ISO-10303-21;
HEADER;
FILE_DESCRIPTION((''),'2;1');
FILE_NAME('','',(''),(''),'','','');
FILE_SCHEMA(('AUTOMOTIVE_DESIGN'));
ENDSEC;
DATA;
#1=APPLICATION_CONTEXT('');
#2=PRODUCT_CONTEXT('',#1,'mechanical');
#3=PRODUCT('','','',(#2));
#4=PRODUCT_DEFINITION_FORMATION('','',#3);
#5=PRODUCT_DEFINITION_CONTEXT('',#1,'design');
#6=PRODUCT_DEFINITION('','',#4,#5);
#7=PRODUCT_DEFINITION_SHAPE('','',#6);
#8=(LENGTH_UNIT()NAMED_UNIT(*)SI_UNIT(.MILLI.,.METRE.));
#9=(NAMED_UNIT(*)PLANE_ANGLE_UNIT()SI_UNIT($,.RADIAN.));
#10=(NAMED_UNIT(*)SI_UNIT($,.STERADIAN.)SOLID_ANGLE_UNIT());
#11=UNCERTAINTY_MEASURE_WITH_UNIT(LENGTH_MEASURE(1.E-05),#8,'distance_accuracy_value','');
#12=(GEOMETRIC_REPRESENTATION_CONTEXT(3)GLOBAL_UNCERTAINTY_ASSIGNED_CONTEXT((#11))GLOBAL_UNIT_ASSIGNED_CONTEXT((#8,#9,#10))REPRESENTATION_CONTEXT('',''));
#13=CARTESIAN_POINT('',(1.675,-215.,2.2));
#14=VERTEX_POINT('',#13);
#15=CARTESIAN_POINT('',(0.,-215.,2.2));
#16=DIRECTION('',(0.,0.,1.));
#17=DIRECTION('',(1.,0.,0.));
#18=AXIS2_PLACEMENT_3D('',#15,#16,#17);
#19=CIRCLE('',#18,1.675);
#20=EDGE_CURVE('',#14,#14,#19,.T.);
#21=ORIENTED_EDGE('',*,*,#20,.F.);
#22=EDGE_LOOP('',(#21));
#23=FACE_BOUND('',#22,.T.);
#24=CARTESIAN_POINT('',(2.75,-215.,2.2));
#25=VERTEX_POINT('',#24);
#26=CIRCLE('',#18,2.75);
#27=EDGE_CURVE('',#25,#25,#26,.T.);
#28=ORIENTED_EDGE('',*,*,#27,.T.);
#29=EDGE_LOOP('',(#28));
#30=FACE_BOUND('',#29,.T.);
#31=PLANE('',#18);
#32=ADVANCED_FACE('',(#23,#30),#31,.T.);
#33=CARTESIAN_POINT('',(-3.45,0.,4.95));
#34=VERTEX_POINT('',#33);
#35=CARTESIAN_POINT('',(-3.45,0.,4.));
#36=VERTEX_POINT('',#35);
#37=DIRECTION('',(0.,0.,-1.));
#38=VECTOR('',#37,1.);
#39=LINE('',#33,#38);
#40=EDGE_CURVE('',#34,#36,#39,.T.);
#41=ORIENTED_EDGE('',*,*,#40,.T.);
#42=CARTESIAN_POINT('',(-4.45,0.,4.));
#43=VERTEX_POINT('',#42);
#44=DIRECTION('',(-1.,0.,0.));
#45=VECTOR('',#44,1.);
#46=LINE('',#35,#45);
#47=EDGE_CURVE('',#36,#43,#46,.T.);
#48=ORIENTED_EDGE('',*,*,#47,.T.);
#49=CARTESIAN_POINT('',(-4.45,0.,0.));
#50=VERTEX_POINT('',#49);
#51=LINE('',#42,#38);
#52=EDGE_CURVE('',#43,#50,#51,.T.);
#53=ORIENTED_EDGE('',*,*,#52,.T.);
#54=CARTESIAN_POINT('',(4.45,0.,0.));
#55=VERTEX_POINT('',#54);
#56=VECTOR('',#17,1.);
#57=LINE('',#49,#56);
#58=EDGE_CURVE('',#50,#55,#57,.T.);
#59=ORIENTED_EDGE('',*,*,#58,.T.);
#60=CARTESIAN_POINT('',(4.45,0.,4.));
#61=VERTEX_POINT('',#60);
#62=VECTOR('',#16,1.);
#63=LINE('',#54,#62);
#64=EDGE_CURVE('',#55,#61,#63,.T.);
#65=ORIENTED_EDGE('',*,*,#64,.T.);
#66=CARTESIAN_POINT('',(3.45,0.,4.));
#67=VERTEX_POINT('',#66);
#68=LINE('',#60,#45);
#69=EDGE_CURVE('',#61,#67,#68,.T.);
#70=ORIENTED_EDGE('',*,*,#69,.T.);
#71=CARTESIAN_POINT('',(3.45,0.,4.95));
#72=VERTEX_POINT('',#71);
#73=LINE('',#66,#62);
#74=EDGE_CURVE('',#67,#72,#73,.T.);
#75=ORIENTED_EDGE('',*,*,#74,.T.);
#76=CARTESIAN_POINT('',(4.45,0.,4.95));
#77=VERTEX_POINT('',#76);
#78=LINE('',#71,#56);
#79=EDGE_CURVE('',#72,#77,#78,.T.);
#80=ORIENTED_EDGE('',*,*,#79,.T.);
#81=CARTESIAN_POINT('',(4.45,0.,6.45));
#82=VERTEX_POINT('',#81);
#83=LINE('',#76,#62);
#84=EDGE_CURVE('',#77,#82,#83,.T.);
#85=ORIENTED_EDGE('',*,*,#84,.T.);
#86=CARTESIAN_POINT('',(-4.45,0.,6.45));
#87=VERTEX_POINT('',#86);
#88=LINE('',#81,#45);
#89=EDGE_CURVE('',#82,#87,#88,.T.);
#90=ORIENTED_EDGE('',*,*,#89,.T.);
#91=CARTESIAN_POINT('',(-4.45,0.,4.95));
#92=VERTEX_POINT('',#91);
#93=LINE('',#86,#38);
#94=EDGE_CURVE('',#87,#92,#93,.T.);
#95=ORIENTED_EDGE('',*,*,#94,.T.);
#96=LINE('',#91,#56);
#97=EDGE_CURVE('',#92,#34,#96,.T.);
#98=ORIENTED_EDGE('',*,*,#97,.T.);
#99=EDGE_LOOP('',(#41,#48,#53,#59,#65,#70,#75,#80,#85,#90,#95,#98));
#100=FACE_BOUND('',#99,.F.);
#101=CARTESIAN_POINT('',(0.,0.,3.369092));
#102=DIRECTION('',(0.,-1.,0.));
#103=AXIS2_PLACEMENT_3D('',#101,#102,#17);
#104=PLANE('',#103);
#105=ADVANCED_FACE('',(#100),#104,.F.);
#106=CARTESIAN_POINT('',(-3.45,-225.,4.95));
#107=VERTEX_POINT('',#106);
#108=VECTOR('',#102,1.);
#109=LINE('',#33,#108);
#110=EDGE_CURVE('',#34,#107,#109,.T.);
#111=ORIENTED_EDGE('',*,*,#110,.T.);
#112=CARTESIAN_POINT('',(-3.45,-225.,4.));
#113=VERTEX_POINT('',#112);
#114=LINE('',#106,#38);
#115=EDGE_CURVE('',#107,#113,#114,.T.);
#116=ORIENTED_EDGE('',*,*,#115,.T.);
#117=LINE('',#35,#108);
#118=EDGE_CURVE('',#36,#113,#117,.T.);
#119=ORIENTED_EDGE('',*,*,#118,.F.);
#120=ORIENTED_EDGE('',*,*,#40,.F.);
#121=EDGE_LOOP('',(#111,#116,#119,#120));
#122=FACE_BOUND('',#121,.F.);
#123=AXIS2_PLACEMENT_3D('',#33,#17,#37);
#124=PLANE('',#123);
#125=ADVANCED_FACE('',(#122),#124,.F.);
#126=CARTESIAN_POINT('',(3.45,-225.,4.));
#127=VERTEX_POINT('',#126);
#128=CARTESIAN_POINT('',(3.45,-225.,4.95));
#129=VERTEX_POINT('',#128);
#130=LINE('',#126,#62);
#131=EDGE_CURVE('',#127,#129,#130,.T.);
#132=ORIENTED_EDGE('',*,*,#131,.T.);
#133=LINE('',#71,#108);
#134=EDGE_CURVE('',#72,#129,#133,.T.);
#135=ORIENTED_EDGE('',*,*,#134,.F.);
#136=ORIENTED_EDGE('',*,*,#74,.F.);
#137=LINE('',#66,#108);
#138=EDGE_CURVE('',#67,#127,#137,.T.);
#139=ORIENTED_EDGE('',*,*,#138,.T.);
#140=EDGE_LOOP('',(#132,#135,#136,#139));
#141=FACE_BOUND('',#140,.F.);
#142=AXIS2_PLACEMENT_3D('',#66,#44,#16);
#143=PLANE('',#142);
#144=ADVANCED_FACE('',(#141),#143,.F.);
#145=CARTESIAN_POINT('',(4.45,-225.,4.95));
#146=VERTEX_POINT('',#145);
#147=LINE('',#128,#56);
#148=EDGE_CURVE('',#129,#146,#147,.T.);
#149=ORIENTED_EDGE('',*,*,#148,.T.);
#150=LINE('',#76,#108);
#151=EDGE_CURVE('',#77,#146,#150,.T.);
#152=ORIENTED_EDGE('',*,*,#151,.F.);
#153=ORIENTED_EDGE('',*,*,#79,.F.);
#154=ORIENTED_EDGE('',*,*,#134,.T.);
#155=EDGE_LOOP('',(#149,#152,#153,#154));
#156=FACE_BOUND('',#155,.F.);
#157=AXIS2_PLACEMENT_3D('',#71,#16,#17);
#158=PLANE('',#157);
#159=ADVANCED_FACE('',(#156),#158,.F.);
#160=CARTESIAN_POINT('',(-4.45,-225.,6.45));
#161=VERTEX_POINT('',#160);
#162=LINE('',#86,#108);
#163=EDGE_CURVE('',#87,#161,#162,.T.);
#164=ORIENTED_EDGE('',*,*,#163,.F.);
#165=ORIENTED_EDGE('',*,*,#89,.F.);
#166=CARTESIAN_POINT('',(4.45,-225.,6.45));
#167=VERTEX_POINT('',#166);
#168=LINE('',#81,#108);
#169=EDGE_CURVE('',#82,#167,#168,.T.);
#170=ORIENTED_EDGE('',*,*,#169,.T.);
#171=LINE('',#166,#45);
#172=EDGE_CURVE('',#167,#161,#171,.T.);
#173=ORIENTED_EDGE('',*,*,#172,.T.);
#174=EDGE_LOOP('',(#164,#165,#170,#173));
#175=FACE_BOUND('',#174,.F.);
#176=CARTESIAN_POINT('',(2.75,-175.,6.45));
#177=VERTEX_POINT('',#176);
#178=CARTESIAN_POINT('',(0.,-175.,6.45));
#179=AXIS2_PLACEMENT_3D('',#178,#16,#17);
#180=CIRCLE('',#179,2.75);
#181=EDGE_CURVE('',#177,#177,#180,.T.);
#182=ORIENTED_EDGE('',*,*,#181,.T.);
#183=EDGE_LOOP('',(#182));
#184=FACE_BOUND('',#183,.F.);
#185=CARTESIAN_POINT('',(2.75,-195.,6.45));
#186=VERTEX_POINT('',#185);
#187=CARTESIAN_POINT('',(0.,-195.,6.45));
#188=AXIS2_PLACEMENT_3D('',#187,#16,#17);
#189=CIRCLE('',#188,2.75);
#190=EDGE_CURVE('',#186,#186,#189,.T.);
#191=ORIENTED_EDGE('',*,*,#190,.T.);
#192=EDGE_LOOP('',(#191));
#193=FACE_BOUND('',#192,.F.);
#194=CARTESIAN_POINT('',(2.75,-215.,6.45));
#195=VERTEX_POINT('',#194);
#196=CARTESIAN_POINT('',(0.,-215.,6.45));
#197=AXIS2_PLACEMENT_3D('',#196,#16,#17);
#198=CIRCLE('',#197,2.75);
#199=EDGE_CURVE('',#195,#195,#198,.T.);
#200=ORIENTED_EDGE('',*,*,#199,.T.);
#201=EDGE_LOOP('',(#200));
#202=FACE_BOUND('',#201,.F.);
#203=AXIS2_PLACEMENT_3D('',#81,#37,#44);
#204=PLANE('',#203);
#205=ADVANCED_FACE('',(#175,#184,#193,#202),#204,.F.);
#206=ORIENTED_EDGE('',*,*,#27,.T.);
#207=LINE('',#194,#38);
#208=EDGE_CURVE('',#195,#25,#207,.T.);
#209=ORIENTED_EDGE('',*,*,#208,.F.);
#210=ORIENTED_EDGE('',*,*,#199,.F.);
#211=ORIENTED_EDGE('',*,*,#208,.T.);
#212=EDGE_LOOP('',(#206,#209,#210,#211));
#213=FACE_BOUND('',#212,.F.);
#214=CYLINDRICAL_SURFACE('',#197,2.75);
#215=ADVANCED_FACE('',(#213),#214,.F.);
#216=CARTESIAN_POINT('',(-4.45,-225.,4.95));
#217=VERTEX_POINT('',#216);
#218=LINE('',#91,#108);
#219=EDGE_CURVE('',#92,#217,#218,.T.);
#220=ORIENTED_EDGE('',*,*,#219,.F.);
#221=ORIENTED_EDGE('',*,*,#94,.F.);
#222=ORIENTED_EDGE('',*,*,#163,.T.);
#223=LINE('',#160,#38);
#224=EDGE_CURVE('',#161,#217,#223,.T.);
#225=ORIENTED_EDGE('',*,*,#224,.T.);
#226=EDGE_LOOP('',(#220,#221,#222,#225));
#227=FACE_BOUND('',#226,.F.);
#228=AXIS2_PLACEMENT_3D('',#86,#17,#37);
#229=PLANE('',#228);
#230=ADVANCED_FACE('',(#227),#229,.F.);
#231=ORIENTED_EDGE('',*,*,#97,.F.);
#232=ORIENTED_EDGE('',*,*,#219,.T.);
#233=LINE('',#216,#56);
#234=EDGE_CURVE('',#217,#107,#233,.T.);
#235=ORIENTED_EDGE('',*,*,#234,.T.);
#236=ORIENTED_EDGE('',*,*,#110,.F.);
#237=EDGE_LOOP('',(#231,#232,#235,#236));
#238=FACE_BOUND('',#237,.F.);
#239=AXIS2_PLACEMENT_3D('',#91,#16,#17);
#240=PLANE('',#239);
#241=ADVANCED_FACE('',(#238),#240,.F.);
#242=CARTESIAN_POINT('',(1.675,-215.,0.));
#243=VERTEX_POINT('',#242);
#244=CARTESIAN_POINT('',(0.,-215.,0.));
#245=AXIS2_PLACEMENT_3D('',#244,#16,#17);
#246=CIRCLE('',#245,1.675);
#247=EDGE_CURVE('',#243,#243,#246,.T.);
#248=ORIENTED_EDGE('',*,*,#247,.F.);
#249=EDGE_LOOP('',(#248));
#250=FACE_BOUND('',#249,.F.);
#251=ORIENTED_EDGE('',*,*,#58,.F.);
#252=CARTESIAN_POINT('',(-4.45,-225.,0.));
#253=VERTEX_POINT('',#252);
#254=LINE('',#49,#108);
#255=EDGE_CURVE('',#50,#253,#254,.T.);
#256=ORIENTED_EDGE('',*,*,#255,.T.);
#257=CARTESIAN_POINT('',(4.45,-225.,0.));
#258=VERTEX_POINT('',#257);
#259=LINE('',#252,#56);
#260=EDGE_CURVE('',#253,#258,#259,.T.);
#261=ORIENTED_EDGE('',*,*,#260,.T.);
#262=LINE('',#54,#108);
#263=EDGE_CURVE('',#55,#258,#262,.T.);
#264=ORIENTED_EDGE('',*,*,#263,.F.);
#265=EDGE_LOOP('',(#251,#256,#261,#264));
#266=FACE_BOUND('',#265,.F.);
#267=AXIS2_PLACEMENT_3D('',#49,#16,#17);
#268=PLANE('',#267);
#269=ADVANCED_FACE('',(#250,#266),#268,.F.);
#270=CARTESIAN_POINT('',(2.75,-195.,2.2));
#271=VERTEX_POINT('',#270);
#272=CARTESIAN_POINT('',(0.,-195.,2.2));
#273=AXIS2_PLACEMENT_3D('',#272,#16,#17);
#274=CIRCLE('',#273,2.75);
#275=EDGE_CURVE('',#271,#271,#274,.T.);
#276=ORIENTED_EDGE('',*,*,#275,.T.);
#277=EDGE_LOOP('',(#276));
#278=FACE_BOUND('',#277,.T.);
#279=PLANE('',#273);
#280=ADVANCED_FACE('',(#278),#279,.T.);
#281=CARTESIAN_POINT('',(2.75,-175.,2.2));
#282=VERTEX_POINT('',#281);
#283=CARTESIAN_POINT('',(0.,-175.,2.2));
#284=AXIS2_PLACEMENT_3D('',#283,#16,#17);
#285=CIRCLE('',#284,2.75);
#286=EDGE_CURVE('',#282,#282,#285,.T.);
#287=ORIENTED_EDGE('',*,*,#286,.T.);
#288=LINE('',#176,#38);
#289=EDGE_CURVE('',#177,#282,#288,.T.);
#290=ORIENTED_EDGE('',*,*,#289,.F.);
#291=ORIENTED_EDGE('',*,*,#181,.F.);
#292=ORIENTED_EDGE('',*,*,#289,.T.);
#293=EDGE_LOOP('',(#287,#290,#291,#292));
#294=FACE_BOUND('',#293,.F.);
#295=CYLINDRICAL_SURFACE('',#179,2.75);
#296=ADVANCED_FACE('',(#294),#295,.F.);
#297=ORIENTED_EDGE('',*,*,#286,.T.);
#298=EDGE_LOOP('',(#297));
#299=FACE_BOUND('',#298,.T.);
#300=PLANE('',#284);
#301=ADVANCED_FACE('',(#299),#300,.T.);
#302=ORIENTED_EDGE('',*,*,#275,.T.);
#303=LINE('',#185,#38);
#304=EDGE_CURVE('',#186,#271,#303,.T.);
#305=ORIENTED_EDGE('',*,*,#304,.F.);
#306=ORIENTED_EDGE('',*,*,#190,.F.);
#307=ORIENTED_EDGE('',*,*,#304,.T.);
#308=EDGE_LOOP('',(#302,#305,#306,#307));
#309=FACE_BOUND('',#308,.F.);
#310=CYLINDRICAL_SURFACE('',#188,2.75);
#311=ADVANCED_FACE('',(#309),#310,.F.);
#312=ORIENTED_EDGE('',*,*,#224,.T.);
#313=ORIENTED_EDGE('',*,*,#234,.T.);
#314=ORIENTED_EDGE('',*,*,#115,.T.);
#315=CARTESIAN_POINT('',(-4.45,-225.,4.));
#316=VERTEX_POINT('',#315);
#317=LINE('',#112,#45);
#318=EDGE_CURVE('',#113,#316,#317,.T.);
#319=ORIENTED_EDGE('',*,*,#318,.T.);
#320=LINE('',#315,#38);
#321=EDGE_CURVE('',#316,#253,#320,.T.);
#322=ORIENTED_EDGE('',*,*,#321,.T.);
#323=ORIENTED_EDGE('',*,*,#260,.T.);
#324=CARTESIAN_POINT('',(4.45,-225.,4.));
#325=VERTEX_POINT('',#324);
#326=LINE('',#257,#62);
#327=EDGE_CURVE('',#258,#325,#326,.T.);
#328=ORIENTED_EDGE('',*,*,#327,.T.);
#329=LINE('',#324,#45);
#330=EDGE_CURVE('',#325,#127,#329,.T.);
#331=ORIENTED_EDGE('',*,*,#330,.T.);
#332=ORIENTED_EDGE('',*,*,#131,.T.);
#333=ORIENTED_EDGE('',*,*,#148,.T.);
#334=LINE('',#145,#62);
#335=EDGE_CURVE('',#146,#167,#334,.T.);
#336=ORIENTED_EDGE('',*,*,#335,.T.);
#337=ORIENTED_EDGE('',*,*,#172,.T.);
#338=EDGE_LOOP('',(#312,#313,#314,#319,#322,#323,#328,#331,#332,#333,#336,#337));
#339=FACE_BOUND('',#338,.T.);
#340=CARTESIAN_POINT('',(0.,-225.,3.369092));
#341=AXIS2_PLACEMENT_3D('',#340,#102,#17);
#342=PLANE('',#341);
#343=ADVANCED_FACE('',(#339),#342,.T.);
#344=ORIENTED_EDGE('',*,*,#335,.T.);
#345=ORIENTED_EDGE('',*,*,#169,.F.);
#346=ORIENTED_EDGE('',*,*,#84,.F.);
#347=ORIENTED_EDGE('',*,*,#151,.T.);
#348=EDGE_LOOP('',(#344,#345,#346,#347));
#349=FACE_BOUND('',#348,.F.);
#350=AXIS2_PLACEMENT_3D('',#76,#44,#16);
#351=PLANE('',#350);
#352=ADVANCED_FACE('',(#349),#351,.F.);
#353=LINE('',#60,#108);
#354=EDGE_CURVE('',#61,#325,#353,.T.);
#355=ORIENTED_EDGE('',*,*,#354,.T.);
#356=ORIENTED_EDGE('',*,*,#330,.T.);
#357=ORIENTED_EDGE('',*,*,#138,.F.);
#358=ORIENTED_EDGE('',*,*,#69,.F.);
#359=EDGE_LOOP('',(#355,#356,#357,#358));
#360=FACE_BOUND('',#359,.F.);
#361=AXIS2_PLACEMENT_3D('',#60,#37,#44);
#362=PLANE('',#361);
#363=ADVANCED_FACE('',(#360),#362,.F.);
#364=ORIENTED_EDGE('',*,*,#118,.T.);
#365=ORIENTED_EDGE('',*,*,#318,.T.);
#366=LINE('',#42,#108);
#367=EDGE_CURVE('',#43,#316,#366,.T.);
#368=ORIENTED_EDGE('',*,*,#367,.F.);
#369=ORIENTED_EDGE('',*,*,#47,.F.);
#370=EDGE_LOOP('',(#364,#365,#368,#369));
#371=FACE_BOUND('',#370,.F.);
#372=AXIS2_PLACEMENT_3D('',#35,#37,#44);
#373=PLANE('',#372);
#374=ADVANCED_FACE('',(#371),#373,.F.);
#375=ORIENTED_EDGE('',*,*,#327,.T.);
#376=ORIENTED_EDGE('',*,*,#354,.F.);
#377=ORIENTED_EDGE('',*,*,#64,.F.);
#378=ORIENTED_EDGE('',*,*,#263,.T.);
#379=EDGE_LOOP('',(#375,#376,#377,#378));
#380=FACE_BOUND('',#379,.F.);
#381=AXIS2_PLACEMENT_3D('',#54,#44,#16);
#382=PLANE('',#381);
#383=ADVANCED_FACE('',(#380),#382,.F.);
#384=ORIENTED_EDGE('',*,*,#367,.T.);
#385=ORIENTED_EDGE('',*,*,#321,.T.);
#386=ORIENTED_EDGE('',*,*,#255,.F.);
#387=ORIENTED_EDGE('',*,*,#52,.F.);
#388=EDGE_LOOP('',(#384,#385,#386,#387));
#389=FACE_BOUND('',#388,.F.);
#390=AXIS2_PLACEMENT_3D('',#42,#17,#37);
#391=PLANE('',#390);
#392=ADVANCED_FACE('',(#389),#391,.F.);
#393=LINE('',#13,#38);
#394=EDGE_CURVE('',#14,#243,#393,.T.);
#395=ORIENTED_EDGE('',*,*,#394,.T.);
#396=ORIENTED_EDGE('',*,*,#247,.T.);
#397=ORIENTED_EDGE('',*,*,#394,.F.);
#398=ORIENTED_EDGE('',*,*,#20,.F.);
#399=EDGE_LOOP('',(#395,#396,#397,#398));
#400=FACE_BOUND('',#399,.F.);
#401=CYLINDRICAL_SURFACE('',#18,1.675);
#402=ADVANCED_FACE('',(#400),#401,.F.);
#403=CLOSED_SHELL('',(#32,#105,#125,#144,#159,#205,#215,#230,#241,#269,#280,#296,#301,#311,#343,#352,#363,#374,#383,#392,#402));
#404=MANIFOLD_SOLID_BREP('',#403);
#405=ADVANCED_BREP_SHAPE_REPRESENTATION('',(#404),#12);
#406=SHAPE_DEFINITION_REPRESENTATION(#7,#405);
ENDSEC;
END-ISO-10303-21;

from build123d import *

# Parameters (mm, degrees)
F1_DEPTH = 225
F2_R     = 2.75
F3_DEPTH = 4.25
F4_R     = 1.675
F5_DEPTH = 2.201


with BuildPart() as f1:
    # F0 (on Front) → F1 (new body)
    with BuildSketch(Plane.XZ):
        Polygon((-4.45, 4), (-4.45, 0), (4.45, 0), (4.45, 4), (3.45, 4), (3.45, 4.95), (4.45, 4.95), (4.45, 6.45), (-4.45, 6.45), (-4.45, 4.95), (-3.45, 4.95), (-3.45, 4), align=None)
    extrude(amount=F1_DEPTH)

    # F2 (on face) → F3 (cut)
    with BuildSketch(Plane.XY.offset(6.45)):
        with Locations((0, -215)):
            Circle(F2_R)
        with Locations((0, -195)):
            Circle(F2_R)
        with Locations((0, -175)):
            Circle(F2_R)
    extrude(amount=-F3_DEPTH, mode=Mode.SUBTRACT)

    # F4 (on face) → F5 (cut, through all)
    with BuildSketch(Plane.XY.offset(2.2)):
        with Locations((0, -215)):
            Circle(F4_R)
    extrude(amount=-F5_DEPTH, mode=Mode.SUBTRACT)


solid = f1.part
